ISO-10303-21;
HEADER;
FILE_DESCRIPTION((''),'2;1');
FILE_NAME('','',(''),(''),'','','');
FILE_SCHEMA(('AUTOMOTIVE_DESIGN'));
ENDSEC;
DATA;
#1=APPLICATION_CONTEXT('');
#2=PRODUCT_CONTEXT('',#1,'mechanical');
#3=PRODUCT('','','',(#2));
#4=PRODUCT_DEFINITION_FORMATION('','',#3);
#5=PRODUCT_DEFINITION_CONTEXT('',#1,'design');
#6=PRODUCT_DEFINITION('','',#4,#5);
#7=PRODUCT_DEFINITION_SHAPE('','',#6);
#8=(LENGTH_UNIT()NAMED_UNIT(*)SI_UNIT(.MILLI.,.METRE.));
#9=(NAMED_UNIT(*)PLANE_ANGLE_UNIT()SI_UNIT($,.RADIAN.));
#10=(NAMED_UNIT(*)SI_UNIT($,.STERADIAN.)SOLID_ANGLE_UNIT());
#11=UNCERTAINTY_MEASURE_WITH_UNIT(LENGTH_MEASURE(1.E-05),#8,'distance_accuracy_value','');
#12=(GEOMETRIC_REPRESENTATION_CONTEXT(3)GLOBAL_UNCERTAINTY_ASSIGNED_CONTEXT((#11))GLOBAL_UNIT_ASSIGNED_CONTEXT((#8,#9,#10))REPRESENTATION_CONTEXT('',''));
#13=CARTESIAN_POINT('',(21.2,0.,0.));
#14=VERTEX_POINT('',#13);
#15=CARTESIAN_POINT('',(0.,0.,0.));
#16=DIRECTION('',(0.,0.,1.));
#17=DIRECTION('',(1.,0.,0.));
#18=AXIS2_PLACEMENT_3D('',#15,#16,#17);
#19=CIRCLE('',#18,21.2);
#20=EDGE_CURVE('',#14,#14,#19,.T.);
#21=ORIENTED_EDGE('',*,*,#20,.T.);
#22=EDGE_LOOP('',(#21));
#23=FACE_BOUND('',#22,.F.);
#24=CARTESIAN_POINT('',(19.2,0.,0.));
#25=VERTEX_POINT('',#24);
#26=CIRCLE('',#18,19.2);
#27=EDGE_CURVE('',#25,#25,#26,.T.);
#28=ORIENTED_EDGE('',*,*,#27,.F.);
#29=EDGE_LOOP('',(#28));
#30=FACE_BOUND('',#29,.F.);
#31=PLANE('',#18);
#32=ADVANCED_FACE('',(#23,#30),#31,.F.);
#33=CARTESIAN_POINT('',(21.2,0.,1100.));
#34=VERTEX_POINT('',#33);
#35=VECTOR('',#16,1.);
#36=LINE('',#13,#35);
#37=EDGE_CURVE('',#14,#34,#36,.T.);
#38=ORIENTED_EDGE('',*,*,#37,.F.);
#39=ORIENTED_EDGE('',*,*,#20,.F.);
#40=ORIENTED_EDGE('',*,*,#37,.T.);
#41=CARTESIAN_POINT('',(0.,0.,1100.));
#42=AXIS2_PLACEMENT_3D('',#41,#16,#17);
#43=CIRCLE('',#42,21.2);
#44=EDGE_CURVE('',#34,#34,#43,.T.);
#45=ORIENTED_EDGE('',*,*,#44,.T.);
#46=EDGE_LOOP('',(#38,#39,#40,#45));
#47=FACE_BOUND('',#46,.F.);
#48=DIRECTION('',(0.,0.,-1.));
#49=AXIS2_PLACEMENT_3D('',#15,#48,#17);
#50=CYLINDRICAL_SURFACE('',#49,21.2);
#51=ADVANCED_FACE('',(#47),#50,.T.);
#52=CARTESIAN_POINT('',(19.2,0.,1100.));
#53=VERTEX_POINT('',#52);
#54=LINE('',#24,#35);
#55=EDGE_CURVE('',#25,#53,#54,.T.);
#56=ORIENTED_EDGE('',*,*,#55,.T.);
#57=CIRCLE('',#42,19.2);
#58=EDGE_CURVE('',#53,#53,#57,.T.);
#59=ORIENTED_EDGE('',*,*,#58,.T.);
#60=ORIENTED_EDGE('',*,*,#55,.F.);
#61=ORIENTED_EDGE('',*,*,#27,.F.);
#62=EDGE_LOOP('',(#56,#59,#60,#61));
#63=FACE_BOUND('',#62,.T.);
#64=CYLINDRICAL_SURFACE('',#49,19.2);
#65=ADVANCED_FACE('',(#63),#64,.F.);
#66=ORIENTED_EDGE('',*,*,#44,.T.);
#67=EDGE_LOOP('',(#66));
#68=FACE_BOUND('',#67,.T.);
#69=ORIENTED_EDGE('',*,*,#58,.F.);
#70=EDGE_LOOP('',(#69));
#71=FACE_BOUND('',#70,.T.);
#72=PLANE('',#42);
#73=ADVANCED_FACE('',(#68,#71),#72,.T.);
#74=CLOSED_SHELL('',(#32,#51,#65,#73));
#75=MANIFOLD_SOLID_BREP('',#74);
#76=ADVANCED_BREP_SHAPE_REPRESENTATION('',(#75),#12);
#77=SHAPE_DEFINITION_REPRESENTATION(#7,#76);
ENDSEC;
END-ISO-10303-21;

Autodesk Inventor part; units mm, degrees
ref_plane "YZ Plane" through (0, 0, 0) normal (1, 0, 0) x (0, 1, 0)
ref_plane "Start Plane" through (0, 0, 0) normal (0, 0, 1) x (1, 0, 0)
ref_plane "End Plane" through (0, 0, 1100) normal (0, 0, 1) x (1, 0, 0)
sketch "Sketch" plane through (0, 0, 0) normal (0, 0, 1) x (1, 0, 0)
  circle A0 centre (0, 0) radius 19.2
  circle A1 centre (0, 0) radius 21.2
  dimension "d0" = 42.4
  dimension "d1" = 2
extrude "Body" add sketch "Sketch" along normal up to surface (1100 mm away) from surface at 0
sketch "Sketch3" plane through (0, 0, 0) normal (0, 0, 1) x (1, 0, 0)
  line L0 (0, 0) -> (10, 0)
ref_plane "Work Plane3" through (0, 0, 0) normal (0, -1, 0) x (1, 0, 0)
sketch "Sketch4" plane through (0, 0, 0) normal (0, -1, 0) x (1, 0, 0)
  line L0 (-2, 0) -> (12, 0) projected
  line L1 (-2, 1100) -> (12, 1100) projected
  dimension "d7" = 1100
equation "\"d0\" = G_H"
equation "\"d1\" = G_T"
equation "\"d2\" = G_L"
equation "\"G_H\" = 42.4"
equation "\"G_T\" = 2"
equation "\"G_L\" = d7"
equation "\"G_OFFSET_START\" = 0"
equation "\"G_OFFSET_END\" = 0"
properties part number "ISO 10799-2 - 42.4x2.0 - 1100" material "Stainless Steel"
